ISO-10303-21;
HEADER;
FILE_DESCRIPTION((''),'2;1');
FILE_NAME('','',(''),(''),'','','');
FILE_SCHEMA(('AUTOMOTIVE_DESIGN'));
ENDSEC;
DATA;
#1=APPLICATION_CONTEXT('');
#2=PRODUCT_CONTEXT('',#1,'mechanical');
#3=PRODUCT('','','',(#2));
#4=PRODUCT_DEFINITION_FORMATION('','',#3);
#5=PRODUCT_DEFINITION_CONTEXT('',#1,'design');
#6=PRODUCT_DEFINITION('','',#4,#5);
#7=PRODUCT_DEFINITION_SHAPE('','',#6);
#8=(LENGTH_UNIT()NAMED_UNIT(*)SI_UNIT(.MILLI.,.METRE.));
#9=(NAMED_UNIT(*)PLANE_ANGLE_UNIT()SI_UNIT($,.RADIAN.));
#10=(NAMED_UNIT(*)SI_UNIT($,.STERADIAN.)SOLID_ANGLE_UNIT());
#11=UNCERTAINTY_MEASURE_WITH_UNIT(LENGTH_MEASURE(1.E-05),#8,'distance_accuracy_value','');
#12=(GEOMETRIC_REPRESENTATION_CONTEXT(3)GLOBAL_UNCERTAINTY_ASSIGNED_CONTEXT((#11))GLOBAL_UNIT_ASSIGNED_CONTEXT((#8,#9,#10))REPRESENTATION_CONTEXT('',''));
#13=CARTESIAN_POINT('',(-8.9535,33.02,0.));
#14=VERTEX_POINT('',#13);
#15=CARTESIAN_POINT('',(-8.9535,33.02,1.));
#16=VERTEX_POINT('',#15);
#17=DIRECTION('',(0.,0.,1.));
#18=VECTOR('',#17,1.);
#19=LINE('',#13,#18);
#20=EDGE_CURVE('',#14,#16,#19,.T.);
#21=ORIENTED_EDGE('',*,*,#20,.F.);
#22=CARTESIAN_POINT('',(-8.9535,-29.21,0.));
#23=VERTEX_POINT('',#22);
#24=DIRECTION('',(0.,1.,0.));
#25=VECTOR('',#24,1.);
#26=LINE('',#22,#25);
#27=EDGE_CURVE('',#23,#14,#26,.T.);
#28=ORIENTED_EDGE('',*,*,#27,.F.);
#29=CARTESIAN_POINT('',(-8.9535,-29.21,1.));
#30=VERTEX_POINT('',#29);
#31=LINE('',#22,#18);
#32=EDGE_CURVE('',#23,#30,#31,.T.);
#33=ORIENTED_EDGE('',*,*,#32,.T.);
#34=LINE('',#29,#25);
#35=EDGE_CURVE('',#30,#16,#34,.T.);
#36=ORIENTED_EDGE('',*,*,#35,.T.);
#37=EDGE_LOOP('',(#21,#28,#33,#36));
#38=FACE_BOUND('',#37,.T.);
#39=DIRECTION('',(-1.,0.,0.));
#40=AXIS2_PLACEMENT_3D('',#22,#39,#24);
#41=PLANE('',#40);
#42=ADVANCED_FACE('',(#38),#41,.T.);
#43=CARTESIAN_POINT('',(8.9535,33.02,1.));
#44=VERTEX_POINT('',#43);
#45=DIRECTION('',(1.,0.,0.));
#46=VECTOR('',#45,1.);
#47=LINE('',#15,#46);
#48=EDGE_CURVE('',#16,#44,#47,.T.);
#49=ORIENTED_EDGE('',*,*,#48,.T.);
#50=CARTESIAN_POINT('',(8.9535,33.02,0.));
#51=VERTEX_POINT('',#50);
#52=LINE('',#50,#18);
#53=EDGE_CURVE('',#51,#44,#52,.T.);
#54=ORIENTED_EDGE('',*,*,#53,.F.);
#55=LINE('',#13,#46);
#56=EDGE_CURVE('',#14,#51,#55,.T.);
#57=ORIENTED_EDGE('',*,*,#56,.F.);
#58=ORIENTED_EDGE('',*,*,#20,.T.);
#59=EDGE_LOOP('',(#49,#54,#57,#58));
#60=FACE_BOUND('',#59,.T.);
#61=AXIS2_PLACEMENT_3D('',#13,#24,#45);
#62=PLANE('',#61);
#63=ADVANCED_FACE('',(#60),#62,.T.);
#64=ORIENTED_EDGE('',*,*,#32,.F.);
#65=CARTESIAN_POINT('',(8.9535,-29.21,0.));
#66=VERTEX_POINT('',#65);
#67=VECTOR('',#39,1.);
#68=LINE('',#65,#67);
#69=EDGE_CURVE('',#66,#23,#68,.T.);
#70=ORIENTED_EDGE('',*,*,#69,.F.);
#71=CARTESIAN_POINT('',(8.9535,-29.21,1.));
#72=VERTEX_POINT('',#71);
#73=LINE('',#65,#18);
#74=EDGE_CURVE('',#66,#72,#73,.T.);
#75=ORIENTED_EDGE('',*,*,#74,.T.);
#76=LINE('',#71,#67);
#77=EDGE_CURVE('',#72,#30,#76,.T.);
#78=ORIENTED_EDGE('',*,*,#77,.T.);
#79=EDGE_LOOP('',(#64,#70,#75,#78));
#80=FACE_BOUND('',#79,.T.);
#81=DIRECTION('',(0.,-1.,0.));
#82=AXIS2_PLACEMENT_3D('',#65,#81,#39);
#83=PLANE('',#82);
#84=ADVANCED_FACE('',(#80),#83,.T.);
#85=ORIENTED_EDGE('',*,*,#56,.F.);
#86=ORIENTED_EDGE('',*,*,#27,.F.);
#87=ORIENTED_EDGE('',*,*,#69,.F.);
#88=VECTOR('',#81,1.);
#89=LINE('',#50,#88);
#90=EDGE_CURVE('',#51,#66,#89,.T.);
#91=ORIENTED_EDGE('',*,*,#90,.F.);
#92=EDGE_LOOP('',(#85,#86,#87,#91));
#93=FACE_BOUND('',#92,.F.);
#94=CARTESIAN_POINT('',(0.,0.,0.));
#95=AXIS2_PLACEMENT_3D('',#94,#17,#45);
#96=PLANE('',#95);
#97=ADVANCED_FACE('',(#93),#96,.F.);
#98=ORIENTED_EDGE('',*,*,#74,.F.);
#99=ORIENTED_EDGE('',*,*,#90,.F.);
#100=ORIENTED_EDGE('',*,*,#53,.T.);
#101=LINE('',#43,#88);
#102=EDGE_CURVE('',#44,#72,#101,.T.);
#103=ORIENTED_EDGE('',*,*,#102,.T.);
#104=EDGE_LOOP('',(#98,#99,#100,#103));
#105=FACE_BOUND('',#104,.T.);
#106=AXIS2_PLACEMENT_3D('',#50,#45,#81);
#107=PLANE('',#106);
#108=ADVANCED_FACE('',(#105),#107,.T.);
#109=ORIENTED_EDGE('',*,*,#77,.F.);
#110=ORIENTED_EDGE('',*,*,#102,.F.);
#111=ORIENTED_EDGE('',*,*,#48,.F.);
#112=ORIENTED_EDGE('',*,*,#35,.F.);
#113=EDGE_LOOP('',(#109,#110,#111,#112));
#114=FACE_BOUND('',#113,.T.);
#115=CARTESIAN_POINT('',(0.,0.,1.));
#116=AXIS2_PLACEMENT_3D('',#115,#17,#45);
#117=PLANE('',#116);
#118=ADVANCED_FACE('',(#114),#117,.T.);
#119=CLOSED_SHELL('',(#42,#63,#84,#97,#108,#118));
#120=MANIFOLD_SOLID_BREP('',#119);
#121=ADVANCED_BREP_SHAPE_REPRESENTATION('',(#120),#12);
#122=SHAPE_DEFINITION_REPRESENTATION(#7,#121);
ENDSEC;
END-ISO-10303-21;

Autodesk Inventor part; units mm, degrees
ref_plane "YZ Plane" through (0, 0, 0) normal (1, 0, 0) x (0, 1, 0)
ref_plane "XZ Plane" through (0, 0, 0) normal (0, 1, 0) x (-1, 0, 0)
ref_plane "XY Plane" through (0, 0, 0) normal (0, 0, 1) x (1, 0, 0)
sketch "TEENSY_3_5_ALL_PINS, TEENSY_3_5_ALL_PINS_63" plane through (0, 0, 0) normal (0, 0, 1) x (1, 0, 0)
  line L0 (-8.9535, 33.02) -> (8.9535, 33.02)
  line L1 (8.9535, 33.02) -> (8.9535, -29.21)
  line L2 (8.9535, -29.21) -> (-8.9535, -29.21)
  line L3 (-8.9535, -29.21) -> (-8.9535, 33.02)
extrude "Extrusion1" add sketch "TEENSY_3_5_ALL_PINS, TEENSY_3_5_ALL_PINS_63" along normal blind 1
properties part number "TEENSY_3_5_ALL_PINS"
